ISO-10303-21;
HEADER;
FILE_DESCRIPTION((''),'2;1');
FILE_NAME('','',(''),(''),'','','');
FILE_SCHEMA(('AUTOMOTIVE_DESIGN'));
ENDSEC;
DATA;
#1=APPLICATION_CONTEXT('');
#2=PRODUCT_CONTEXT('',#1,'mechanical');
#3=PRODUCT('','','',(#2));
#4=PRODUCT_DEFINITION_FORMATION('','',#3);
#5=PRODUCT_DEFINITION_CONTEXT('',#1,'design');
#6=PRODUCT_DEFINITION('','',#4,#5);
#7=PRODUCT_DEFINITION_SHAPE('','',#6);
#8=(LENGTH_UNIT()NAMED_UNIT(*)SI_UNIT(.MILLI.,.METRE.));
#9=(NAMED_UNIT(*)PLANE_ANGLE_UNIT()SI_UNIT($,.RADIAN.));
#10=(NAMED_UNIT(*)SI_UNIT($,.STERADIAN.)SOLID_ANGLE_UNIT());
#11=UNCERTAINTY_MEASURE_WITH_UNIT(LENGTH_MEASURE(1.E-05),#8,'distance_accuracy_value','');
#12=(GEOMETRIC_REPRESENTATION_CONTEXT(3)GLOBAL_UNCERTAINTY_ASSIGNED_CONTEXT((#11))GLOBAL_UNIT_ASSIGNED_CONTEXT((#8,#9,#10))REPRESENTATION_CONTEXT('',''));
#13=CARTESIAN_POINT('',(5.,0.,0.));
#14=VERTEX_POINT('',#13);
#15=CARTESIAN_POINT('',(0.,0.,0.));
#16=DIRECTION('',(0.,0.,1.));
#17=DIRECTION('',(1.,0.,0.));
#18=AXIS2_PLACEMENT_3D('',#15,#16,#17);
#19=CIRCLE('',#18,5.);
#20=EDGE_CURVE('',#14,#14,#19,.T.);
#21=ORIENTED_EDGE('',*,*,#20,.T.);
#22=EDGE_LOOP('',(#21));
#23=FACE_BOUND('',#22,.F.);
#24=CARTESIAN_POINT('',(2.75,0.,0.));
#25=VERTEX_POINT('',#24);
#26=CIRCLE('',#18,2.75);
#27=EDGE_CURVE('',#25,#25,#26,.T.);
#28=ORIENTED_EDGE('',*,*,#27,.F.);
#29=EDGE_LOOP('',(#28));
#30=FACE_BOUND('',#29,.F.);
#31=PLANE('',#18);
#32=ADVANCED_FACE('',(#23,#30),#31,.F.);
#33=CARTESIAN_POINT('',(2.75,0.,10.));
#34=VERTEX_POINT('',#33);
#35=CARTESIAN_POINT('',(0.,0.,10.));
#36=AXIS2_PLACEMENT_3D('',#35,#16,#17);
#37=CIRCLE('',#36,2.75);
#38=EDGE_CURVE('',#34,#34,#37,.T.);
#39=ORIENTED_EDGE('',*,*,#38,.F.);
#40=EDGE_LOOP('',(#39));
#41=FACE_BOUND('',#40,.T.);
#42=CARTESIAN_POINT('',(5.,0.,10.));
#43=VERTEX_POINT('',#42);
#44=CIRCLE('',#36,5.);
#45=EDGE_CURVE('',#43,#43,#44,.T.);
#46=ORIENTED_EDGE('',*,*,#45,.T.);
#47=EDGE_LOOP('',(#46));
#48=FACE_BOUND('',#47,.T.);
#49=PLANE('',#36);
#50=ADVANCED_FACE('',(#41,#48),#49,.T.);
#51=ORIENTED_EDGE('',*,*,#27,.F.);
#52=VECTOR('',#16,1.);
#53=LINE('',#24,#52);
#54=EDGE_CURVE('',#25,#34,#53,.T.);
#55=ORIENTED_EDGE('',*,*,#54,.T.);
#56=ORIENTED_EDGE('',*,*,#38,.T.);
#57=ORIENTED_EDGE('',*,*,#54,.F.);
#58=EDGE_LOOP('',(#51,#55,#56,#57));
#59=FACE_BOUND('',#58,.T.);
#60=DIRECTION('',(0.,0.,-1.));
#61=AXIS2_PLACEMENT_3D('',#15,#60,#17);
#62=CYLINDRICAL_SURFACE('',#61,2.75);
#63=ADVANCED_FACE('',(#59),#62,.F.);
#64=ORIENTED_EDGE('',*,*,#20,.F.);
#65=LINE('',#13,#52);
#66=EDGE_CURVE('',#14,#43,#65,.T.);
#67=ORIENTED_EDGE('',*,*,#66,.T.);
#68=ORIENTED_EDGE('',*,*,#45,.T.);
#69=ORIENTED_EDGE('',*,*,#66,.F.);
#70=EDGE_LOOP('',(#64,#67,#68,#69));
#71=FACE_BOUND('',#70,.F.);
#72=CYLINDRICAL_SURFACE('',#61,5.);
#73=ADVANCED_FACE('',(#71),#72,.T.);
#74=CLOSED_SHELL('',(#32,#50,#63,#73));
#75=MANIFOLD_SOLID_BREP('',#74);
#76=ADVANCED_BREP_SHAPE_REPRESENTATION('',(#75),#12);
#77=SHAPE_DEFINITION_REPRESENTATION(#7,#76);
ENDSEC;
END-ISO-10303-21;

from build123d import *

# Parameters (mm, degrees)
F0_R     = 5
F0_R_2   = 2.75
F1_DEPTH = 10


with BuildPart() as f1:
    # F0 (on Top) → F1 (new body)
    with BuildSketch(Plane.XY):
        Circle(F0_R)
        Circle(F0_R_2, mode=Mode.SUBTRACT)
    extrude(amount=F1_DEPTH)


solid = f1.part
